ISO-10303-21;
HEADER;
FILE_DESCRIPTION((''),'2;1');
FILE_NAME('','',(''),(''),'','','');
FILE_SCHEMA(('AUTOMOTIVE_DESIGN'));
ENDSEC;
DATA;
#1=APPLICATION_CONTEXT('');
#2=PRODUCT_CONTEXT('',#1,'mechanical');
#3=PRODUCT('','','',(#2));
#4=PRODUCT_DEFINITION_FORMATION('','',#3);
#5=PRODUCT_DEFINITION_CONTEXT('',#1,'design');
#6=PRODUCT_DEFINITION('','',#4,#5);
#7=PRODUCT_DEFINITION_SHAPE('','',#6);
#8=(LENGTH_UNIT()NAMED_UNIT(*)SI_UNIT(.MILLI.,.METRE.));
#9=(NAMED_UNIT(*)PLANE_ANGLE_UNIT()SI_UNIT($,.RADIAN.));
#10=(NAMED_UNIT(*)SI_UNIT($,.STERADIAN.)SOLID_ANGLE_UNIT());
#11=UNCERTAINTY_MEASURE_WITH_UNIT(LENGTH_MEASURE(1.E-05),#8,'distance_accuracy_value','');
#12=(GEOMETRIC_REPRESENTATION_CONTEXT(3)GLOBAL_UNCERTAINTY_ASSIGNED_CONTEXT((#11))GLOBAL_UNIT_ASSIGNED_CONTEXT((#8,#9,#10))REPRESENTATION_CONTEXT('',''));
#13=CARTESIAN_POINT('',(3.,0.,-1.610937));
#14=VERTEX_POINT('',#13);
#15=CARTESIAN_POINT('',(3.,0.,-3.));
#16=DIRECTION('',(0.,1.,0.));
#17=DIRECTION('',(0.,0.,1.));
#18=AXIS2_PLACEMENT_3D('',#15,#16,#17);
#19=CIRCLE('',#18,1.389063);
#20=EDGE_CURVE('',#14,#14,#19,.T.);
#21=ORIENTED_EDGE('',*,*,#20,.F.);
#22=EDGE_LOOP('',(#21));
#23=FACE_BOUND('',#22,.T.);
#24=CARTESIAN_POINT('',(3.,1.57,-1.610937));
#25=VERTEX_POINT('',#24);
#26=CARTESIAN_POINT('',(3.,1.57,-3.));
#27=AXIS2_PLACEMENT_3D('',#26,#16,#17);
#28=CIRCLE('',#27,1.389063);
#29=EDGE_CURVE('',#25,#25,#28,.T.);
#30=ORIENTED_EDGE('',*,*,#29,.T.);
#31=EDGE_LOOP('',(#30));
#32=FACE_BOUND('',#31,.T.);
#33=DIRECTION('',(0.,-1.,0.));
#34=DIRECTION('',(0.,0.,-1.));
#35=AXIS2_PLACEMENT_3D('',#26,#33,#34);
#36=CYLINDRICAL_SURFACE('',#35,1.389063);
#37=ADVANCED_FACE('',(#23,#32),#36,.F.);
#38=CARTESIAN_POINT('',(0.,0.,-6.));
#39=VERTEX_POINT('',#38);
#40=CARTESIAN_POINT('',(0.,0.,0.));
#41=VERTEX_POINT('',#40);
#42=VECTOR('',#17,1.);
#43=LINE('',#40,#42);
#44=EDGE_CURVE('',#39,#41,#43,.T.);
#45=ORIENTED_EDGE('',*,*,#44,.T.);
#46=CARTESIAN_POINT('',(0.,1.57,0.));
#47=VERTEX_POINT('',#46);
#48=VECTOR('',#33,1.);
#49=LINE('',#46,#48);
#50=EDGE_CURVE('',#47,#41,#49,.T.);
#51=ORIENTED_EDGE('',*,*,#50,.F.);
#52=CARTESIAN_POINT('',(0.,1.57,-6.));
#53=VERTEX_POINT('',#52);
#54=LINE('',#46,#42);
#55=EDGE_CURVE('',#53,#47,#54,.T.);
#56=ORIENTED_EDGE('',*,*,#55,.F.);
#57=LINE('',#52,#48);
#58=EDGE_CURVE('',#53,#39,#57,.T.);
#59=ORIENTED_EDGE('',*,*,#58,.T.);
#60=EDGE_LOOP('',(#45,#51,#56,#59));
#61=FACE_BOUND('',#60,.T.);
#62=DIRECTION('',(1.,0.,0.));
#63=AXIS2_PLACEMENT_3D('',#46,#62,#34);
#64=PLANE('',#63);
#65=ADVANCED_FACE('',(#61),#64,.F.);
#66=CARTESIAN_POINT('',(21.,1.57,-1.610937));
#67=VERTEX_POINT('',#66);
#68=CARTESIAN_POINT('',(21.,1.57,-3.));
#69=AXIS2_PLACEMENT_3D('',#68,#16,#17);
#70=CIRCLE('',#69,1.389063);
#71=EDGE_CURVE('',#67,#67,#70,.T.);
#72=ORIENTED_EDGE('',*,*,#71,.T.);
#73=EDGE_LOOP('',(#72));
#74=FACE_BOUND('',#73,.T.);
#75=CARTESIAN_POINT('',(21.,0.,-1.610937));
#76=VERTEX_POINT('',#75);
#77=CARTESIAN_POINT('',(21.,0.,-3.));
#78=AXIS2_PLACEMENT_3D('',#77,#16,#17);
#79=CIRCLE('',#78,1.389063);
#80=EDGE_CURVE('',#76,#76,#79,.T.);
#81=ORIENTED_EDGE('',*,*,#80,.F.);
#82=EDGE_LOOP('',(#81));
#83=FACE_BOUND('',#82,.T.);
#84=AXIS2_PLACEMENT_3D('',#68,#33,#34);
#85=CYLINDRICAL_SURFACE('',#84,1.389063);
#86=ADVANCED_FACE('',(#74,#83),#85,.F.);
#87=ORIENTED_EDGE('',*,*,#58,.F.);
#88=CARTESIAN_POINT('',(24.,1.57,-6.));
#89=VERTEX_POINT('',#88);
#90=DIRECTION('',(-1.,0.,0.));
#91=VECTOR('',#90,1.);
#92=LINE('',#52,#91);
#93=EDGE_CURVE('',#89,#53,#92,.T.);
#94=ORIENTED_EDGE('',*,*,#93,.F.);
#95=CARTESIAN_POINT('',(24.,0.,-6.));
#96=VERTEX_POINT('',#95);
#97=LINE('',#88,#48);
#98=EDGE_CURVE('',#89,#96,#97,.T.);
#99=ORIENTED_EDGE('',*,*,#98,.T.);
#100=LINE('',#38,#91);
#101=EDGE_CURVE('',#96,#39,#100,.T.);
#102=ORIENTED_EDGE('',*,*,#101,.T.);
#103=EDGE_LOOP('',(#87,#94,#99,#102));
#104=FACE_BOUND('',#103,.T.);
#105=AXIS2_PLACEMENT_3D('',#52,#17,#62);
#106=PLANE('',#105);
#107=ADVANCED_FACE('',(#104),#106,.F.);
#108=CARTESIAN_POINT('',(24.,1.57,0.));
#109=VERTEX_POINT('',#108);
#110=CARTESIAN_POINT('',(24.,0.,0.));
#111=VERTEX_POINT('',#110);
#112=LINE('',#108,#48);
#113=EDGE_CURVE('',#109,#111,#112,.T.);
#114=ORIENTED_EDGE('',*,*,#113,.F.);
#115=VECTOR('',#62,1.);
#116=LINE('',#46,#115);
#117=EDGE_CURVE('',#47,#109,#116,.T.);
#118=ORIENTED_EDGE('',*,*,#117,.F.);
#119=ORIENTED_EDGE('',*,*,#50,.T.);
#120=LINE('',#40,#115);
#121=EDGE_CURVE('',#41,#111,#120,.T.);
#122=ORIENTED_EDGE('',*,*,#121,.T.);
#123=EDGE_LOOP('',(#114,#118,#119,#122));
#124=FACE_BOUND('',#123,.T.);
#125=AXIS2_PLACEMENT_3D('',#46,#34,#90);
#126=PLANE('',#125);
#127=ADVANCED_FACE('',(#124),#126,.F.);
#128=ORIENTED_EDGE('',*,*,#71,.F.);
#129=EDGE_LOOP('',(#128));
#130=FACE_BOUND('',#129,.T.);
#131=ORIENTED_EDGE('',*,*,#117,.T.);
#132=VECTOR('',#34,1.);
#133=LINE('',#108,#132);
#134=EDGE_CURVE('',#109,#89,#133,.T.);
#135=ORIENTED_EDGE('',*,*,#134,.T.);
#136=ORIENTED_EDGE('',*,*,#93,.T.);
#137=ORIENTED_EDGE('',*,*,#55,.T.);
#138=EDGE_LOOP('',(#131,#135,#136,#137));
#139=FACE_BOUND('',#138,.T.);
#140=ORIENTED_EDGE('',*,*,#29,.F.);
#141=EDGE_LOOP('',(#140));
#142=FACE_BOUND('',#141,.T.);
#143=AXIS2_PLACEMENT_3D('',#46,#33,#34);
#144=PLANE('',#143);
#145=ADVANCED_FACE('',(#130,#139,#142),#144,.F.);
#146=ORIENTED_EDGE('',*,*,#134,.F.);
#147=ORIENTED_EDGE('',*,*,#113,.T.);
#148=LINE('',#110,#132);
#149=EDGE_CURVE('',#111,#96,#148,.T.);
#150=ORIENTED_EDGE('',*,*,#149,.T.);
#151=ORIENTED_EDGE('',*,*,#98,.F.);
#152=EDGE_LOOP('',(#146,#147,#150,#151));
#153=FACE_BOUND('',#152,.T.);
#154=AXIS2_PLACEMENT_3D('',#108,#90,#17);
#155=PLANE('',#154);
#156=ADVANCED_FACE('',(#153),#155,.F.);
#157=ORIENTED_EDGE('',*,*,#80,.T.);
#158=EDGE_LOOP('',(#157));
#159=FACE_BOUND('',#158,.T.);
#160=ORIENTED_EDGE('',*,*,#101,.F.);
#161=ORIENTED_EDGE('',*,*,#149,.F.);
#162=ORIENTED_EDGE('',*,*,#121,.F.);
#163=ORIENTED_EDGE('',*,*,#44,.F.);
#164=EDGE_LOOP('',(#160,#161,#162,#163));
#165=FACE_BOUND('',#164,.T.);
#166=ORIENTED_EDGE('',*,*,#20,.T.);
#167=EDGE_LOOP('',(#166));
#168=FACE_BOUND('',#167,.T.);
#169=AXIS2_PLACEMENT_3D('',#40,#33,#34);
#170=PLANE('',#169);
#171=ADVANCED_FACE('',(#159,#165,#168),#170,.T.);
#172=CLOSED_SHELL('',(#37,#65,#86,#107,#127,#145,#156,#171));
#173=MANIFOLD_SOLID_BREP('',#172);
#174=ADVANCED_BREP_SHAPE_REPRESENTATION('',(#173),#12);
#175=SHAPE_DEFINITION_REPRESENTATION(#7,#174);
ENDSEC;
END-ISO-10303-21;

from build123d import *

# Parameters (mm, degrees)
SKETCH1_W           = 24
SKETCH1_H           = 6
SKETCH1_R           = 1.3890625
BOSS_EXTRUDE1_DEPTH = 1.57


with BuildPart() as part:
    # Sketch1 → Boss-Extrude1 (new body)
    with BuildSketch(Plane(origin=(0, 0, 0), x_dir=(1, 0, 0), z_dir=(0, 1, 0))):
        with Locations((12, 3)):
            Rectangle(SKETCH1_W, SKETCH1_H)
        with Locations((3, 3)):
            Circle(SKETCH1_R, mode=Mode.SUBTRACT)
        with Locations((21, 3)):
            Circle(SKETCH1_R, mode=Mode.SUBTRACT)
    extrude(amount=BOSS_EXTRUDE1_DEPTH)


solid = part.part
